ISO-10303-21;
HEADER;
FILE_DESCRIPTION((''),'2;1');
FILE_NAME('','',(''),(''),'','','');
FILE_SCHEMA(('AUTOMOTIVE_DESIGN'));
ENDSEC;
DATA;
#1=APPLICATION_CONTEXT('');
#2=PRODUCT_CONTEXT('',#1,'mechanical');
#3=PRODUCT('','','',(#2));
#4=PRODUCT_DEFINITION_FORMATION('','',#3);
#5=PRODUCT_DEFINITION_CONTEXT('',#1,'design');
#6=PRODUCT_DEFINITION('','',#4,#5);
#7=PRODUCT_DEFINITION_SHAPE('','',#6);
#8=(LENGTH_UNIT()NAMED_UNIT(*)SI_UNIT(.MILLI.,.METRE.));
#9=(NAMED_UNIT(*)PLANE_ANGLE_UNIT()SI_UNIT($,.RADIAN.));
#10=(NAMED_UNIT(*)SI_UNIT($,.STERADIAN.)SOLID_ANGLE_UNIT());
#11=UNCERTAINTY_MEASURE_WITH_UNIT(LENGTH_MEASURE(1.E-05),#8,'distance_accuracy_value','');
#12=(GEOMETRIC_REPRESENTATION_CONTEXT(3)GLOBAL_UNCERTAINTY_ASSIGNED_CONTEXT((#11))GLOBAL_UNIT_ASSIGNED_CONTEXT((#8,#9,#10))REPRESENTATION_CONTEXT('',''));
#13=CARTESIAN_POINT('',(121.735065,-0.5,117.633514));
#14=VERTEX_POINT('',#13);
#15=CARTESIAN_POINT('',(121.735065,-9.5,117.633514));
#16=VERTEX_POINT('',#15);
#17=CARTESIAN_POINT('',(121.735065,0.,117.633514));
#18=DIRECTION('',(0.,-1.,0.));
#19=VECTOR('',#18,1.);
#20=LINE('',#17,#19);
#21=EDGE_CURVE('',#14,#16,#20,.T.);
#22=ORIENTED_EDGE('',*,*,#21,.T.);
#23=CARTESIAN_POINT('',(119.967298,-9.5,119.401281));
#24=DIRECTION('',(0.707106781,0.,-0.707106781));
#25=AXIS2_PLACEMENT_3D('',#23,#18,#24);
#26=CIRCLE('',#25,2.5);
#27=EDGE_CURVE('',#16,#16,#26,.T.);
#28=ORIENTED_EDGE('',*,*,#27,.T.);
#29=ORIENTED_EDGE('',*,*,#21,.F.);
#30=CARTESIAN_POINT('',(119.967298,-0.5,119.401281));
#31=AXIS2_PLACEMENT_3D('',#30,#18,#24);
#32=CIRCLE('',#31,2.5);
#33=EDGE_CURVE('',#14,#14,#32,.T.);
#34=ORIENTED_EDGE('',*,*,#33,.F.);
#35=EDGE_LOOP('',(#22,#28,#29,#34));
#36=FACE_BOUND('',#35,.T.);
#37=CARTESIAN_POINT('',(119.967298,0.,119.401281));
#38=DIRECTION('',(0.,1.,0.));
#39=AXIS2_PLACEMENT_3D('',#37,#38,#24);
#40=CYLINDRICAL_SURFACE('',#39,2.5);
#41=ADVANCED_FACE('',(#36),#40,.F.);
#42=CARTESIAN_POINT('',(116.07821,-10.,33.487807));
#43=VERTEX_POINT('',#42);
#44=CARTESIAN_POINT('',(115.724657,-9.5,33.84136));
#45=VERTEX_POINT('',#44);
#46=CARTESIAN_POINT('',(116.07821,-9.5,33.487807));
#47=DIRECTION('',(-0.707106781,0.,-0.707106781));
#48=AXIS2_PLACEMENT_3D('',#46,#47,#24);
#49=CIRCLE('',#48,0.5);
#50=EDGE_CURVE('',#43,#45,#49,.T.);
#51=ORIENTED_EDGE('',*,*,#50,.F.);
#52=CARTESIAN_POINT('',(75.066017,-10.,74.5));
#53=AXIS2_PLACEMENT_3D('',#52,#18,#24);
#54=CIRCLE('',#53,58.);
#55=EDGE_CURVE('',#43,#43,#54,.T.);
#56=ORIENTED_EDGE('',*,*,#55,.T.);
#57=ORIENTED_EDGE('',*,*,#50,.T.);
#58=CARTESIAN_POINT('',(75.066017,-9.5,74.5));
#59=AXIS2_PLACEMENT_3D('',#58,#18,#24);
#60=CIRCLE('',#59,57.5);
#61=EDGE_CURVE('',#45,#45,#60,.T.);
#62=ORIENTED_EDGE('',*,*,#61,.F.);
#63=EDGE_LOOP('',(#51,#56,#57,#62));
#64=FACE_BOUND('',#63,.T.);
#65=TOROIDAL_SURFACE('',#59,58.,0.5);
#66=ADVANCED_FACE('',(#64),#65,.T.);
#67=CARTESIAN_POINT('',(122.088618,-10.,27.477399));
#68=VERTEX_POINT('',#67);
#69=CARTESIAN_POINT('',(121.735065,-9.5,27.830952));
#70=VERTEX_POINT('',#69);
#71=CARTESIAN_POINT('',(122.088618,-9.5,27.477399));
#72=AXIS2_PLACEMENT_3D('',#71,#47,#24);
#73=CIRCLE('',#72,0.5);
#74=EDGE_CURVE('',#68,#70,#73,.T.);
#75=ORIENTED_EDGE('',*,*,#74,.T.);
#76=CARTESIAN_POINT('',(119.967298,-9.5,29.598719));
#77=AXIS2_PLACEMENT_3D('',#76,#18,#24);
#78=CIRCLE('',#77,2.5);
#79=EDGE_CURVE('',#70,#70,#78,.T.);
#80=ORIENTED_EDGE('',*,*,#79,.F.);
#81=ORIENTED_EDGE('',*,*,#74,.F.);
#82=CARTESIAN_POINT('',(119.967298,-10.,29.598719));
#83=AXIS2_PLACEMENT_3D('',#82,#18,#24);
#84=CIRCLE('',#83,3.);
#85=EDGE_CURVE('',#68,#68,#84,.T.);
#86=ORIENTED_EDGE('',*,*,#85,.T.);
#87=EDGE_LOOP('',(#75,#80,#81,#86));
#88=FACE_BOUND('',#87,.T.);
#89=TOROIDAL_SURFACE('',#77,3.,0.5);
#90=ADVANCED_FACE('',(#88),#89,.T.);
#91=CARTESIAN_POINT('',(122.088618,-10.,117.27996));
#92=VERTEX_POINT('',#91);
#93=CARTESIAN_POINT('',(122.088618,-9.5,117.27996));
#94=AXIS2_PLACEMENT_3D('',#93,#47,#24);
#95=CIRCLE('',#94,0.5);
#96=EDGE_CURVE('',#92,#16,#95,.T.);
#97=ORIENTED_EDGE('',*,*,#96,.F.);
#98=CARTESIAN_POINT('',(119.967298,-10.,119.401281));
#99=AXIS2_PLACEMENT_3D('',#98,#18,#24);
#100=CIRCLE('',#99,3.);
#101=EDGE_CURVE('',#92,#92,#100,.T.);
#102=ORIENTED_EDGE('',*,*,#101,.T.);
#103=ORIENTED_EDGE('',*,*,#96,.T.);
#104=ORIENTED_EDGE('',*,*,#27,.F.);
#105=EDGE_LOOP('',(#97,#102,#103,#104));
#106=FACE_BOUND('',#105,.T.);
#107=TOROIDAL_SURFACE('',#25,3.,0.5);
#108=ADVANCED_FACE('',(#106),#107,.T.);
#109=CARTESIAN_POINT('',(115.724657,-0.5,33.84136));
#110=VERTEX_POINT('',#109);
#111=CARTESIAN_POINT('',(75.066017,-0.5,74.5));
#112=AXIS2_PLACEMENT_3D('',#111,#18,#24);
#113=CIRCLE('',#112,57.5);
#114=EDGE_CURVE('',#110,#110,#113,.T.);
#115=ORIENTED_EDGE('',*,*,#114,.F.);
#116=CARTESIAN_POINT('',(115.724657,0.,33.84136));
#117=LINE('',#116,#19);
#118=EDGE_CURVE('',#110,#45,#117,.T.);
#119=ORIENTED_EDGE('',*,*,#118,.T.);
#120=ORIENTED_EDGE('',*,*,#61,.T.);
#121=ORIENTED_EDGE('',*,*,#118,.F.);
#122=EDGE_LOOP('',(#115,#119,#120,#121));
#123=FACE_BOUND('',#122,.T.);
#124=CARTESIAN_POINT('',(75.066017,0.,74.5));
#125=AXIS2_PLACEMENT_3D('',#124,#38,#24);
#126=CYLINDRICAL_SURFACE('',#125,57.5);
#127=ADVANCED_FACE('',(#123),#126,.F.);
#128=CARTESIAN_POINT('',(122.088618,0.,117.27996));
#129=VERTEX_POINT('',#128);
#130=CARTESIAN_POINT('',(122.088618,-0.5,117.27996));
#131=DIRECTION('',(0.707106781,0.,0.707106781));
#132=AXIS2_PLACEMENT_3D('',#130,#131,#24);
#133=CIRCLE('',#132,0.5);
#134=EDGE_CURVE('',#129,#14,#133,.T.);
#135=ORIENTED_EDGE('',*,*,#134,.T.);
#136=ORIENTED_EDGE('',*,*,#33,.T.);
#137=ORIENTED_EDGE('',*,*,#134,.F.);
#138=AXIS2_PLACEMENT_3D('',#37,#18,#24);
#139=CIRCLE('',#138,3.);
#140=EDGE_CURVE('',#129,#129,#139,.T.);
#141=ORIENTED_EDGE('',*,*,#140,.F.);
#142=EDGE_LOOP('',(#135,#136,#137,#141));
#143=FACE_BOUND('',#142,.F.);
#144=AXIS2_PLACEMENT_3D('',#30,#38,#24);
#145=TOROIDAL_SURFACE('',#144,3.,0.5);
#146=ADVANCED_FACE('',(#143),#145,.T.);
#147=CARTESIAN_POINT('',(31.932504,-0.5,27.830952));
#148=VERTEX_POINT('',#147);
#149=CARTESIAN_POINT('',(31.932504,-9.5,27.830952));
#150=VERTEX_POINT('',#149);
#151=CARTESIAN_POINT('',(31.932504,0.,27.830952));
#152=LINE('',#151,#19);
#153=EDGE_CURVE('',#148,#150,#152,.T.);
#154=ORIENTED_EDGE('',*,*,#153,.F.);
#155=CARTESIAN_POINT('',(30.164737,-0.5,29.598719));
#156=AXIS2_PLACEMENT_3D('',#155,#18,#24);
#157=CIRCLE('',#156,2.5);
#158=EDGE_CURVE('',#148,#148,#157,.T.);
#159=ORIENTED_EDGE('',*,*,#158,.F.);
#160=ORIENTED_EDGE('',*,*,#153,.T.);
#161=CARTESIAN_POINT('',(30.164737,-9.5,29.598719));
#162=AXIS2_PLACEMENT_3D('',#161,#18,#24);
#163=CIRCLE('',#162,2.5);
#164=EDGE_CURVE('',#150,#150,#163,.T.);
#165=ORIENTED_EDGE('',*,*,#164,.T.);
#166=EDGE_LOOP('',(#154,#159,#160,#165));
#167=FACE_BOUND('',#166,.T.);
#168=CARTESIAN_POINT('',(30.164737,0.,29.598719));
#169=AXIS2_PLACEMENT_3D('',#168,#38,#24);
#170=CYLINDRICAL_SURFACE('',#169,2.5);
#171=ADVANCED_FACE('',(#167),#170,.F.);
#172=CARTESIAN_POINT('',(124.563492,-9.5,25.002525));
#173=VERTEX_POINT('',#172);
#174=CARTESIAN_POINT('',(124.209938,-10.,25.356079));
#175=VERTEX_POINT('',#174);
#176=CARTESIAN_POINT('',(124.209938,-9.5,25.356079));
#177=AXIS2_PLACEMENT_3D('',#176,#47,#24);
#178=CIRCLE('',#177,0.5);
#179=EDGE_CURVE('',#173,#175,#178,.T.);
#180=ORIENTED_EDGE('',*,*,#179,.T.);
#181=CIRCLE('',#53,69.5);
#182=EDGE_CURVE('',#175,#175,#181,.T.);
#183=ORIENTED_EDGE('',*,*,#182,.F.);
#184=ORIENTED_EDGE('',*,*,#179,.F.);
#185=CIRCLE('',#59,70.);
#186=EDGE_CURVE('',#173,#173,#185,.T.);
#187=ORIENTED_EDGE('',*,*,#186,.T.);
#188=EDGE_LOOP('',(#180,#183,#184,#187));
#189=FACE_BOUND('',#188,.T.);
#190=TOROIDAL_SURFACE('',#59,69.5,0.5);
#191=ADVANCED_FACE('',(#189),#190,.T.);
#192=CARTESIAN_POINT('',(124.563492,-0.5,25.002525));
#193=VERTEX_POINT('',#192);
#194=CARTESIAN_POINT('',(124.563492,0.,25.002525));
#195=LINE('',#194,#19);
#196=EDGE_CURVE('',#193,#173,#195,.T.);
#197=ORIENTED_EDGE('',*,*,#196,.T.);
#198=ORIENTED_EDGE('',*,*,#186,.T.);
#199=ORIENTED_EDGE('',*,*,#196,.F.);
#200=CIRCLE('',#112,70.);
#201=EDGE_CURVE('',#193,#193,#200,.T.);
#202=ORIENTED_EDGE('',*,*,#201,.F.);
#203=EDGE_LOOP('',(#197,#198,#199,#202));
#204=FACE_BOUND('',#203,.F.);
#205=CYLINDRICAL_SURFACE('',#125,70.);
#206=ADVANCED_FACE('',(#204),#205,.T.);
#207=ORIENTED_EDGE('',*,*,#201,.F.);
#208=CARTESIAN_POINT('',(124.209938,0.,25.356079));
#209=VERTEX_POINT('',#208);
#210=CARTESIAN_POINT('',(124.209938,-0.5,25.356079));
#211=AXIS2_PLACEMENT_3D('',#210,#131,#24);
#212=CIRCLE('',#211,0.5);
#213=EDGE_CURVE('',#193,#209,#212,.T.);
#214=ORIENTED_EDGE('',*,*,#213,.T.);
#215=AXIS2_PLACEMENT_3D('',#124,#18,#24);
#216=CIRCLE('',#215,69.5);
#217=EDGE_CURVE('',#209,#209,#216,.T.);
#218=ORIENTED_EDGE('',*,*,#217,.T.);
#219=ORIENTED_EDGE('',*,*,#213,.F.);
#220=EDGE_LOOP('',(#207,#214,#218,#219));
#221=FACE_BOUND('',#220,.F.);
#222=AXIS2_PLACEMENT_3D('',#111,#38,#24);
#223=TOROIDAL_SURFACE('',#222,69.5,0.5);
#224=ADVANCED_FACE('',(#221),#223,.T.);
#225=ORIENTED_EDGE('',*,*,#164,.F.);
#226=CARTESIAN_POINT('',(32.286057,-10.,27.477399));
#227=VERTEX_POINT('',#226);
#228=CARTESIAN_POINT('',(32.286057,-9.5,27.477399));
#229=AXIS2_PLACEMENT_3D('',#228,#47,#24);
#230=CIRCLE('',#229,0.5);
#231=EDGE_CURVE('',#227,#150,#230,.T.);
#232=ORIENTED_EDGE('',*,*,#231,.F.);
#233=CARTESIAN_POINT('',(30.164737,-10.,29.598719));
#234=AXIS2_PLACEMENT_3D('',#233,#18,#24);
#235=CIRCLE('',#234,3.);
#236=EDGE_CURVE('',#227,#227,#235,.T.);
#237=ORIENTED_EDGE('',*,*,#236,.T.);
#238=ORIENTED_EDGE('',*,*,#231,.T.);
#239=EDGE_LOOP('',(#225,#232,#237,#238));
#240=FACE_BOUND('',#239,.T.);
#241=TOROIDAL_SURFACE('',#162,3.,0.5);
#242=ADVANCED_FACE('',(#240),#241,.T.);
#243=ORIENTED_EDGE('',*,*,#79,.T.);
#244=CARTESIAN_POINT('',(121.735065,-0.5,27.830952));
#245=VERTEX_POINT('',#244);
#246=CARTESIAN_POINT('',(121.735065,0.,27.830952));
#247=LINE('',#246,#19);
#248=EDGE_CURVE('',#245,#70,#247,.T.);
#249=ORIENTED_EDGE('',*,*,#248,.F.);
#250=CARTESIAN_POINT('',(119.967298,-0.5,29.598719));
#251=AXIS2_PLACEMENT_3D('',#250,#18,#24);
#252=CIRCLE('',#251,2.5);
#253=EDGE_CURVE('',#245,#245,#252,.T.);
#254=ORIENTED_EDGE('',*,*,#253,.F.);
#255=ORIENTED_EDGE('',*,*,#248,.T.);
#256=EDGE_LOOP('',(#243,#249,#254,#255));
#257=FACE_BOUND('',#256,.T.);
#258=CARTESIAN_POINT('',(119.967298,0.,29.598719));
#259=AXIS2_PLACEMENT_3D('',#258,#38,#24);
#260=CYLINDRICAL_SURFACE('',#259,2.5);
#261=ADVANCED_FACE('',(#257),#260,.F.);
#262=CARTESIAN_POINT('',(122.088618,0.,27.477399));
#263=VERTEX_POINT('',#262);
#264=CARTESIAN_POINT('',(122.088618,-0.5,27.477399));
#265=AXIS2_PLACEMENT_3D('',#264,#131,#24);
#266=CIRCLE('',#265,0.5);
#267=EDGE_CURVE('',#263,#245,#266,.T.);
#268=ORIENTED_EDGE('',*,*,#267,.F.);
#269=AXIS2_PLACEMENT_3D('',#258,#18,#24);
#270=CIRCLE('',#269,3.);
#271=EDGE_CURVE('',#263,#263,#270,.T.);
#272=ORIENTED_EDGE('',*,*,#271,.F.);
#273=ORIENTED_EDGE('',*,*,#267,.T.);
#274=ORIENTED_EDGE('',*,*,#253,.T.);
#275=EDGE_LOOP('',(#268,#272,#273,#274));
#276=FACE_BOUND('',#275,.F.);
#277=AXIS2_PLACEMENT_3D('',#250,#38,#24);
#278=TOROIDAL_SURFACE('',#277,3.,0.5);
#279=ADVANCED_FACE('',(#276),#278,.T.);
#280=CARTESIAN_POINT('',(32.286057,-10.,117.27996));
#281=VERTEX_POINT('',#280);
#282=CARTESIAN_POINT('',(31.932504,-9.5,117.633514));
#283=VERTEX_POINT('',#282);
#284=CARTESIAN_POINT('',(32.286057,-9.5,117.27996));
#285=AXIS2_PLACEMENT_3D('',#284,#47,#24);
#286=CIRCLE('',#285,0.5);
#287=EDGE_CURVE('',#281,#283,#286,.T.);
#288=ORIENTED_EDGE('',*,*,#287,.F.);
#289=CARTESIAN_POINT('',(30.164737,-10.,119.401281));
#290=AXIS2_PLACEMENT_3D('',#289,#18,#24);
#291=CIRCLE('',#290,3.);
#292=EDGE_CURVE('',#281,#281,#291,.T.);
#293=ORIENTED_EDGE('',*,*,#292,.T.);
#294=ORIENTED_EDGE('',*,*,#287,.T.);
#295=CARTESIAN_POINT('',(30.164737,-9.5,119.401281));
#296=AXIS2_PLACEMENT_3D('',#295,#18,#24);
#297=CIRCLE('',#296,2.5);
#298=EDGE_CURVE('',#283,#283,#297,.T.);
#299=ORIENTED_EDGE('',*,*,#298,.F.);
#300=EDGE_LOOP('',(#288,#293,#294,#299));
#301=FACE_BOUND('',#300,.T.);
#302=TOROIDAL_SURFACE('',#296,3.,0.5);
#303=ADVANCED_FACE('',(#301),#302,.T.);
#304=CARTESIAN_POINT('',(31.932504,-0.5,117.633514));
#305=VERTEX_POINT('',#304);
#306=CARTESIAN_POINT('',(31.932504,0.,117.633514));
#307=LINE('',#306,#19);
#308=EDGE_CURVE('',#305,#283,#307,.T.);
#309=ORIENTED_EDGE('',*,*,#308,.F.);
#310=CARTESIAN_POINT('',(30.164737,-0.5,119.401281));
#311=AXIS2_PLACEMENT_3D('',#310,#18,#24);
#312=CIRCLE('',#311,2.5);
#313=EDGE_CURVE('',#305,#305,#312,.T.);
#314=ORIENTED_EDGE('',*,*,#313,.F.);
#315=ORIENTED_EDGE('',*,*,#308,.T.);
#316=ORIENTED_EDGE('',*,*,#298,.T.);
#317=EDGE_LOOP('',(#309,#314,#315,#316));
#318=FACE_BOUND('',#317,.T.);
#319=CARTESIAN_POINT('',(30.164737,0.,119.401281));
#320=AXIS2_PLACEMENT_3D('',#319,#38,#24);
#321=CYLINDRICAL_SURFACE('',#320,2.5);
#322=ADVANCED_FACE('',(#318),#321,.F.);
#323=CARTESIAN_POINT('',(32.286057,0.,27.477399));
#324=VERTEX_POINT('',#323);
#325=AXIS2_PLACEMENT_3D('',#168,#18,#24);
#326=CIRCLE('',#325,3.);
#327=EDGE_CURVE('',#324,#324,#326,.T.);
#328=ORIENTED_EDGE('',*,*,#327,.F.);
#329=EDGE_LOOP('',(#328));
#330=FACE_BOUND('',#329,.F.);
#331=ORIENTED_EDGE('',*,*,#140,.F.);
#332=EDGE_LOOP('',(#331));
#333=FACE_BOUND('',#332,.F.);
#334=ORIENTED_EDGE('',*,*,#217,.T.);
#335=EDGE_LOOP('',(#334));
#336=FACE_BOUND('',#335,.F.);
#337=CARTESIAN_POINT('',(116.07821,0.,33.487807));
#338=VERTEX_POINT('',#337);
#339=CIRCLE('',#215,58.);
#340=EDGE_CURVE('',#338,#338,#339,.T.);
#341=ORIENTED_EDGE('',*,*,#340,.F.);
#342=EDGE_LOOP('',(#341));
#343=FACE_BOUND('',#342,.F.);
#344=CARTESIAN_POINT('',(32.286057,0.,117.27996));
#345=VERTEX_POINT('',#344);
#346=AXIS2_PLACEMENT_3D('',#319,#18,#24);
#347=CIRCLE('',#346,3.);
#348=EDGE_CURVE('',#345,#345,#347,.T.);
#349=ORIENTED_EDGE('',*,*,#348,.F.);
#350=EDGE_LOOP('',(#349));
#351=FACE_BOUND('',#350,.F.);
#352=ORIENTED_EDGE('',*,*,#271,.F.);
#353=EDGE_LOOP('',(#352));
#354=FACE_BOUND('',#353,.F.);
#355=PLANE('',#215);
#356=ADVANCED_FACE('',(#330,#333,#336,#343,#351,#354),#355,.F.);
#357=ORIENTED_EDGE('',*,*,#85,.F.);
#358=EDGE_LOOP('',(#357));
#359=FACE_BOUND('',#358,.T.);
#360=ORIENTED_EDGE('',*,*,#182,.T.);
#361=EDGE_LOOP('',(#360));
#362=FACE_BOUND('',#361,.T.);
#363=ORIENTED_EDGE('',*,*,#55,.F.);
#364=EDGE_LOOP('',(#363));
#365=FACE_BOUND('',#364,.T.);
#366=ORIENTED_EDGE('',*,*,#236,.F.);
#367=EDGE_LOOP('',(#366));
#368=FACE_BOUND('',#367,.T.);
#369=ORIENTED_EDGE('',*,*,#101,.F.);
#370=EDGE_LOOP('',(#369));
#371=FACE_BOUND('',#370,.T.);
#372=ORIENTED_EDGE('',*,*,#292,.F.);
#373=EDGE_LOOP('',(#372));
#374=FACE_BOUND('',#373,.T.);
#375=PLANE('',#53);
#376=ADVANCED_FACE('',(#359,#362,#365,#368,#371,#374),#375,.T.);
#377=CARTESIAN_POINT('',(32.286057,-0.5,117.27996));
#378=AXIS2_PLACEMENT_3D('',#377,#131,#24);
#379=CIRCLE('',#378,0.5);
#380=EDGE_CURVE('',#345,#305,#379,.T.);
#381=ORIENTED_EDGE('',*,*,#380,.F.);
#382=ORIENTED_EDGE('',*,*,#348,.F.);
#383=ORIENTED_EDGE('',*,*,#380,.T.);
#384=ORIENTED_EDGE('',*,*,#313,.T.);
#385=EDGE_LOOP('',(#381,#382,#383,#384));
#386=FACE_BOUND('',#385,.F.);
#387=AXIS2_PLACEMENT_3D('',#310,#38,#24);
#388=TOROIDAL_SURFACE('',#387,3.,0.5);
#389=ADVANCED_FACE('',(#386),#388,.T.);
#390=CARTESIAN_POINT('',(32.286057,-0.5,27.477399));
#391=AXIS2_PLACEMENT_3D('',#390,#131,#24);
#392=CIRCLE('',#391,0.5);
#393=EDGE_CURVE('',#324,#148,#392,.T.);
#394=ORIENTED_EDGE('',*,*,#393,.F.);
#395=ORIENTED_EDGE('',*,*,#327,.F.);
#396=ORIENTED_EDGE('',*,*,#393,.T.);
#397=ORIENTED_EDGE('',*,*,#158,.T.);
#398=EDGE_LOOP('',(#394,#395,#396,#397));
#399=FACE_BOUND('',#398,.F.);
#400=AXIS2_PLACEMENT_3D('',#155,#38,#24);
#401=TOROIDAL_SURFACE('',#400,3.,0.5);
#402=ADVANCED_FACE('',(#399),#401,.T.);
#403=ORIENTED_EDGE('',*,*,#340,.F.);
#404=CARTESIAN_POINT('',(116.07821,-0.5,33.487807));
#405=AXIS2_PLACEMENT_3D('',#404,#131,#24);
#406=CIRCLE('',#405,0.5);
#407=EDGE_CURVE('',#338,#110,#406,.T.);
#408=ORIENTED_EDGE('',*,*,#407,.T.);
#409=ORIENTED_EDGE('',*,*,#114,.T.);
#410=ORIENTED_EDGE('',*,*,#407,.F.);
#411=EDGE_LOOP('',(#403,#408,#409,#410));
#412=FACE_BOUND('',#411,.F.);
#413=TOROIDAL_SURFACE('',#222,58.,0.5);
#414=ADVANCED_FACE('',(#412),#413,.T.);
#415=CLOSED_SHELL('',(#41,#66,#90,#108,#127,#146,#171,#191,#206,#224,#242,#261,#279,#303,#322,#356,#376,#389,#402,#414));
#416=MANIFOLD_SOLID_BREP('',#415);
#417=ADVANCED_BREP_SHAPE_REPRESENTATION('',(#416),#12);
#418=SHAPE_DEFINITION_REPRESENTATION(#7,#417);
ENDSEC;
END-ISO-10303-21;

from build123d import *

# Parameters (mm, degrees)
CYLINDER008_R          = 2.5
CYLINDER008_DEPTH      = 10
CYLINDER006_R          = 2.5
CYLINDER006_DEPTH      = 10
CYLINDER007_R          = 2.5
CYLINDER007_DEPTH      = 10
CYLINDER005_R          = 2.5
CYLINDER005_DEPTH      = 10
CYLINDER010_R          = 57.5
CYLINDER010_DEPTH      = 10
CYLINDER011_R          = 70
CYLINDER011_DEPTH      = 10
CUT019_PLACEMENT_ANGLE = 45
FILLET006_R            = 0.5


with BuildPart() as cylinder008:
    # Cylinder008 → Cylinder008 (new body)
    with BuildSketch(Plane(origin=(75, 0, 138.5), x_dir=(1, 0, 0), z_dir=(0, -1, 0))):
        Circle(CYLINDER008_R)
    extrude(amount=CYLINDER008_DEPTH)


with BuildPart() as cylinder006:
    # Cylinder006 → Cylinder006 (new body)
    with BuildSketch(Plane(origin=(138.5, 0, 75), x_dir=(1, 0, 0), z_dir=(0, -1, 0))):
        Circle(CYLINDER006_R)
    extrude(amount=CYLINDER006_DEPTH)


with BuildPart() as cylinder007:
    # Cylinder007 → Cylinder007 (new body)
    with BuildSketch(Plane(origin=(75, 0, 11.5), x_dir=(1, 0, 0), z_dir=(0, -1, 0))):
        Circle(CYLINDER007_R)
    extrude(amount=CYLINDER007_DEPTH)


with BuildPart() as cylinder005:
    # Cylinder005 → Cylinder005 (new body)
    with BuildSketch(Plane(origin=(11.5, 0, 75), x_dir=(1, 0, 0), z_dir=(0, -1, 0))):
        Circle(CYLINDER005_R)
    extrude(amount=CYLINDER005_DEPTH)


with BuildPart() as lazy_suzan_2_out:
    # Cylinder010 → Cylinder010 (new body)
    with BuildSketch(Plane(origin=(75, 0, 75), x_dir=(1, 0, 0), z_dir=(0, -1, 0))):
        Circle(CYLINDER010_R)
    extrude(amount=CYLINDER010_DEPTH)


with BuildPart() as lazy_suzan_out_fillet:
    # Cylinder011 → Cylinder011 (new body)
    with BuildSketch(Plane(origin=(75, 0, 75), x_dir=(1, 0, 0), z_dir=(0, -1, 0))):
        Circle(CYLINDER011_R)
    extrude(amount=CYLINDER011_DEPTH)

    # Cut015: cut Lazy Suzan 2 Out
    add(lazy_suzan_2_out.part, mode=Mode.SUBTRACT)

    # Cut016: cut Cylinder005
    add(cylinder005.part, mode=Mode.SUBTRACT)

    # Cut017: cut Cylinder007
    add(cylinder007.part, mode=Mode.SUBTRACT)

    # Cut018: cut Cylinder006
    add(cylinder006.part, mode=Mode.SUBTRACT)

    # Cut019: cut Cylinder008
    add(cylinder008.part, mode=Mode.SUBTRACT)


with BuildPart() as lazy_suzan_out_fillet_1:
    # Cut019 placement: moved
    add(lazy_suzan_out_fillet.part.rotate(Axis((0, 0, 0), (0, 1, 0)), CUT019_PLACEMENT_ANGLE))

    # Fillet006
    fillet006_edges = [lazy_suzan_out_fillet_1.edges().sort_by_distance(p)[0] for p in [
        (56.568542, -10, 49.497475),
        (56.568542, 0, 49.497475),
        (149.199531, -10, -43.133514),
        (65.407377, -10, 40.65864),
        (149.199531, -10, 46.669048),
        (59.39697, -10, 46.669048),
        (59.39697, -10, -43.133514),
        (149.199531, 0, -43.133514),
        (65.407377, 0, 40.65864),
        (149.199531, 0, 46.669048),
        (59.39697, 0, 46.669048),
        (59.39697, 0, -43.133514),
    ]]
    fillet(fillet006_edges, radius=FILLET006_R)


with BuildPart() as lazy_suzan_out_fillet_2:
    # Fillet006 placement: moved
    add(lazy_suzan_out_fillet_1.part.moved(Location((-31, 0, 74.5))))


solid = lazy_suzan_out_fillet_2.part
